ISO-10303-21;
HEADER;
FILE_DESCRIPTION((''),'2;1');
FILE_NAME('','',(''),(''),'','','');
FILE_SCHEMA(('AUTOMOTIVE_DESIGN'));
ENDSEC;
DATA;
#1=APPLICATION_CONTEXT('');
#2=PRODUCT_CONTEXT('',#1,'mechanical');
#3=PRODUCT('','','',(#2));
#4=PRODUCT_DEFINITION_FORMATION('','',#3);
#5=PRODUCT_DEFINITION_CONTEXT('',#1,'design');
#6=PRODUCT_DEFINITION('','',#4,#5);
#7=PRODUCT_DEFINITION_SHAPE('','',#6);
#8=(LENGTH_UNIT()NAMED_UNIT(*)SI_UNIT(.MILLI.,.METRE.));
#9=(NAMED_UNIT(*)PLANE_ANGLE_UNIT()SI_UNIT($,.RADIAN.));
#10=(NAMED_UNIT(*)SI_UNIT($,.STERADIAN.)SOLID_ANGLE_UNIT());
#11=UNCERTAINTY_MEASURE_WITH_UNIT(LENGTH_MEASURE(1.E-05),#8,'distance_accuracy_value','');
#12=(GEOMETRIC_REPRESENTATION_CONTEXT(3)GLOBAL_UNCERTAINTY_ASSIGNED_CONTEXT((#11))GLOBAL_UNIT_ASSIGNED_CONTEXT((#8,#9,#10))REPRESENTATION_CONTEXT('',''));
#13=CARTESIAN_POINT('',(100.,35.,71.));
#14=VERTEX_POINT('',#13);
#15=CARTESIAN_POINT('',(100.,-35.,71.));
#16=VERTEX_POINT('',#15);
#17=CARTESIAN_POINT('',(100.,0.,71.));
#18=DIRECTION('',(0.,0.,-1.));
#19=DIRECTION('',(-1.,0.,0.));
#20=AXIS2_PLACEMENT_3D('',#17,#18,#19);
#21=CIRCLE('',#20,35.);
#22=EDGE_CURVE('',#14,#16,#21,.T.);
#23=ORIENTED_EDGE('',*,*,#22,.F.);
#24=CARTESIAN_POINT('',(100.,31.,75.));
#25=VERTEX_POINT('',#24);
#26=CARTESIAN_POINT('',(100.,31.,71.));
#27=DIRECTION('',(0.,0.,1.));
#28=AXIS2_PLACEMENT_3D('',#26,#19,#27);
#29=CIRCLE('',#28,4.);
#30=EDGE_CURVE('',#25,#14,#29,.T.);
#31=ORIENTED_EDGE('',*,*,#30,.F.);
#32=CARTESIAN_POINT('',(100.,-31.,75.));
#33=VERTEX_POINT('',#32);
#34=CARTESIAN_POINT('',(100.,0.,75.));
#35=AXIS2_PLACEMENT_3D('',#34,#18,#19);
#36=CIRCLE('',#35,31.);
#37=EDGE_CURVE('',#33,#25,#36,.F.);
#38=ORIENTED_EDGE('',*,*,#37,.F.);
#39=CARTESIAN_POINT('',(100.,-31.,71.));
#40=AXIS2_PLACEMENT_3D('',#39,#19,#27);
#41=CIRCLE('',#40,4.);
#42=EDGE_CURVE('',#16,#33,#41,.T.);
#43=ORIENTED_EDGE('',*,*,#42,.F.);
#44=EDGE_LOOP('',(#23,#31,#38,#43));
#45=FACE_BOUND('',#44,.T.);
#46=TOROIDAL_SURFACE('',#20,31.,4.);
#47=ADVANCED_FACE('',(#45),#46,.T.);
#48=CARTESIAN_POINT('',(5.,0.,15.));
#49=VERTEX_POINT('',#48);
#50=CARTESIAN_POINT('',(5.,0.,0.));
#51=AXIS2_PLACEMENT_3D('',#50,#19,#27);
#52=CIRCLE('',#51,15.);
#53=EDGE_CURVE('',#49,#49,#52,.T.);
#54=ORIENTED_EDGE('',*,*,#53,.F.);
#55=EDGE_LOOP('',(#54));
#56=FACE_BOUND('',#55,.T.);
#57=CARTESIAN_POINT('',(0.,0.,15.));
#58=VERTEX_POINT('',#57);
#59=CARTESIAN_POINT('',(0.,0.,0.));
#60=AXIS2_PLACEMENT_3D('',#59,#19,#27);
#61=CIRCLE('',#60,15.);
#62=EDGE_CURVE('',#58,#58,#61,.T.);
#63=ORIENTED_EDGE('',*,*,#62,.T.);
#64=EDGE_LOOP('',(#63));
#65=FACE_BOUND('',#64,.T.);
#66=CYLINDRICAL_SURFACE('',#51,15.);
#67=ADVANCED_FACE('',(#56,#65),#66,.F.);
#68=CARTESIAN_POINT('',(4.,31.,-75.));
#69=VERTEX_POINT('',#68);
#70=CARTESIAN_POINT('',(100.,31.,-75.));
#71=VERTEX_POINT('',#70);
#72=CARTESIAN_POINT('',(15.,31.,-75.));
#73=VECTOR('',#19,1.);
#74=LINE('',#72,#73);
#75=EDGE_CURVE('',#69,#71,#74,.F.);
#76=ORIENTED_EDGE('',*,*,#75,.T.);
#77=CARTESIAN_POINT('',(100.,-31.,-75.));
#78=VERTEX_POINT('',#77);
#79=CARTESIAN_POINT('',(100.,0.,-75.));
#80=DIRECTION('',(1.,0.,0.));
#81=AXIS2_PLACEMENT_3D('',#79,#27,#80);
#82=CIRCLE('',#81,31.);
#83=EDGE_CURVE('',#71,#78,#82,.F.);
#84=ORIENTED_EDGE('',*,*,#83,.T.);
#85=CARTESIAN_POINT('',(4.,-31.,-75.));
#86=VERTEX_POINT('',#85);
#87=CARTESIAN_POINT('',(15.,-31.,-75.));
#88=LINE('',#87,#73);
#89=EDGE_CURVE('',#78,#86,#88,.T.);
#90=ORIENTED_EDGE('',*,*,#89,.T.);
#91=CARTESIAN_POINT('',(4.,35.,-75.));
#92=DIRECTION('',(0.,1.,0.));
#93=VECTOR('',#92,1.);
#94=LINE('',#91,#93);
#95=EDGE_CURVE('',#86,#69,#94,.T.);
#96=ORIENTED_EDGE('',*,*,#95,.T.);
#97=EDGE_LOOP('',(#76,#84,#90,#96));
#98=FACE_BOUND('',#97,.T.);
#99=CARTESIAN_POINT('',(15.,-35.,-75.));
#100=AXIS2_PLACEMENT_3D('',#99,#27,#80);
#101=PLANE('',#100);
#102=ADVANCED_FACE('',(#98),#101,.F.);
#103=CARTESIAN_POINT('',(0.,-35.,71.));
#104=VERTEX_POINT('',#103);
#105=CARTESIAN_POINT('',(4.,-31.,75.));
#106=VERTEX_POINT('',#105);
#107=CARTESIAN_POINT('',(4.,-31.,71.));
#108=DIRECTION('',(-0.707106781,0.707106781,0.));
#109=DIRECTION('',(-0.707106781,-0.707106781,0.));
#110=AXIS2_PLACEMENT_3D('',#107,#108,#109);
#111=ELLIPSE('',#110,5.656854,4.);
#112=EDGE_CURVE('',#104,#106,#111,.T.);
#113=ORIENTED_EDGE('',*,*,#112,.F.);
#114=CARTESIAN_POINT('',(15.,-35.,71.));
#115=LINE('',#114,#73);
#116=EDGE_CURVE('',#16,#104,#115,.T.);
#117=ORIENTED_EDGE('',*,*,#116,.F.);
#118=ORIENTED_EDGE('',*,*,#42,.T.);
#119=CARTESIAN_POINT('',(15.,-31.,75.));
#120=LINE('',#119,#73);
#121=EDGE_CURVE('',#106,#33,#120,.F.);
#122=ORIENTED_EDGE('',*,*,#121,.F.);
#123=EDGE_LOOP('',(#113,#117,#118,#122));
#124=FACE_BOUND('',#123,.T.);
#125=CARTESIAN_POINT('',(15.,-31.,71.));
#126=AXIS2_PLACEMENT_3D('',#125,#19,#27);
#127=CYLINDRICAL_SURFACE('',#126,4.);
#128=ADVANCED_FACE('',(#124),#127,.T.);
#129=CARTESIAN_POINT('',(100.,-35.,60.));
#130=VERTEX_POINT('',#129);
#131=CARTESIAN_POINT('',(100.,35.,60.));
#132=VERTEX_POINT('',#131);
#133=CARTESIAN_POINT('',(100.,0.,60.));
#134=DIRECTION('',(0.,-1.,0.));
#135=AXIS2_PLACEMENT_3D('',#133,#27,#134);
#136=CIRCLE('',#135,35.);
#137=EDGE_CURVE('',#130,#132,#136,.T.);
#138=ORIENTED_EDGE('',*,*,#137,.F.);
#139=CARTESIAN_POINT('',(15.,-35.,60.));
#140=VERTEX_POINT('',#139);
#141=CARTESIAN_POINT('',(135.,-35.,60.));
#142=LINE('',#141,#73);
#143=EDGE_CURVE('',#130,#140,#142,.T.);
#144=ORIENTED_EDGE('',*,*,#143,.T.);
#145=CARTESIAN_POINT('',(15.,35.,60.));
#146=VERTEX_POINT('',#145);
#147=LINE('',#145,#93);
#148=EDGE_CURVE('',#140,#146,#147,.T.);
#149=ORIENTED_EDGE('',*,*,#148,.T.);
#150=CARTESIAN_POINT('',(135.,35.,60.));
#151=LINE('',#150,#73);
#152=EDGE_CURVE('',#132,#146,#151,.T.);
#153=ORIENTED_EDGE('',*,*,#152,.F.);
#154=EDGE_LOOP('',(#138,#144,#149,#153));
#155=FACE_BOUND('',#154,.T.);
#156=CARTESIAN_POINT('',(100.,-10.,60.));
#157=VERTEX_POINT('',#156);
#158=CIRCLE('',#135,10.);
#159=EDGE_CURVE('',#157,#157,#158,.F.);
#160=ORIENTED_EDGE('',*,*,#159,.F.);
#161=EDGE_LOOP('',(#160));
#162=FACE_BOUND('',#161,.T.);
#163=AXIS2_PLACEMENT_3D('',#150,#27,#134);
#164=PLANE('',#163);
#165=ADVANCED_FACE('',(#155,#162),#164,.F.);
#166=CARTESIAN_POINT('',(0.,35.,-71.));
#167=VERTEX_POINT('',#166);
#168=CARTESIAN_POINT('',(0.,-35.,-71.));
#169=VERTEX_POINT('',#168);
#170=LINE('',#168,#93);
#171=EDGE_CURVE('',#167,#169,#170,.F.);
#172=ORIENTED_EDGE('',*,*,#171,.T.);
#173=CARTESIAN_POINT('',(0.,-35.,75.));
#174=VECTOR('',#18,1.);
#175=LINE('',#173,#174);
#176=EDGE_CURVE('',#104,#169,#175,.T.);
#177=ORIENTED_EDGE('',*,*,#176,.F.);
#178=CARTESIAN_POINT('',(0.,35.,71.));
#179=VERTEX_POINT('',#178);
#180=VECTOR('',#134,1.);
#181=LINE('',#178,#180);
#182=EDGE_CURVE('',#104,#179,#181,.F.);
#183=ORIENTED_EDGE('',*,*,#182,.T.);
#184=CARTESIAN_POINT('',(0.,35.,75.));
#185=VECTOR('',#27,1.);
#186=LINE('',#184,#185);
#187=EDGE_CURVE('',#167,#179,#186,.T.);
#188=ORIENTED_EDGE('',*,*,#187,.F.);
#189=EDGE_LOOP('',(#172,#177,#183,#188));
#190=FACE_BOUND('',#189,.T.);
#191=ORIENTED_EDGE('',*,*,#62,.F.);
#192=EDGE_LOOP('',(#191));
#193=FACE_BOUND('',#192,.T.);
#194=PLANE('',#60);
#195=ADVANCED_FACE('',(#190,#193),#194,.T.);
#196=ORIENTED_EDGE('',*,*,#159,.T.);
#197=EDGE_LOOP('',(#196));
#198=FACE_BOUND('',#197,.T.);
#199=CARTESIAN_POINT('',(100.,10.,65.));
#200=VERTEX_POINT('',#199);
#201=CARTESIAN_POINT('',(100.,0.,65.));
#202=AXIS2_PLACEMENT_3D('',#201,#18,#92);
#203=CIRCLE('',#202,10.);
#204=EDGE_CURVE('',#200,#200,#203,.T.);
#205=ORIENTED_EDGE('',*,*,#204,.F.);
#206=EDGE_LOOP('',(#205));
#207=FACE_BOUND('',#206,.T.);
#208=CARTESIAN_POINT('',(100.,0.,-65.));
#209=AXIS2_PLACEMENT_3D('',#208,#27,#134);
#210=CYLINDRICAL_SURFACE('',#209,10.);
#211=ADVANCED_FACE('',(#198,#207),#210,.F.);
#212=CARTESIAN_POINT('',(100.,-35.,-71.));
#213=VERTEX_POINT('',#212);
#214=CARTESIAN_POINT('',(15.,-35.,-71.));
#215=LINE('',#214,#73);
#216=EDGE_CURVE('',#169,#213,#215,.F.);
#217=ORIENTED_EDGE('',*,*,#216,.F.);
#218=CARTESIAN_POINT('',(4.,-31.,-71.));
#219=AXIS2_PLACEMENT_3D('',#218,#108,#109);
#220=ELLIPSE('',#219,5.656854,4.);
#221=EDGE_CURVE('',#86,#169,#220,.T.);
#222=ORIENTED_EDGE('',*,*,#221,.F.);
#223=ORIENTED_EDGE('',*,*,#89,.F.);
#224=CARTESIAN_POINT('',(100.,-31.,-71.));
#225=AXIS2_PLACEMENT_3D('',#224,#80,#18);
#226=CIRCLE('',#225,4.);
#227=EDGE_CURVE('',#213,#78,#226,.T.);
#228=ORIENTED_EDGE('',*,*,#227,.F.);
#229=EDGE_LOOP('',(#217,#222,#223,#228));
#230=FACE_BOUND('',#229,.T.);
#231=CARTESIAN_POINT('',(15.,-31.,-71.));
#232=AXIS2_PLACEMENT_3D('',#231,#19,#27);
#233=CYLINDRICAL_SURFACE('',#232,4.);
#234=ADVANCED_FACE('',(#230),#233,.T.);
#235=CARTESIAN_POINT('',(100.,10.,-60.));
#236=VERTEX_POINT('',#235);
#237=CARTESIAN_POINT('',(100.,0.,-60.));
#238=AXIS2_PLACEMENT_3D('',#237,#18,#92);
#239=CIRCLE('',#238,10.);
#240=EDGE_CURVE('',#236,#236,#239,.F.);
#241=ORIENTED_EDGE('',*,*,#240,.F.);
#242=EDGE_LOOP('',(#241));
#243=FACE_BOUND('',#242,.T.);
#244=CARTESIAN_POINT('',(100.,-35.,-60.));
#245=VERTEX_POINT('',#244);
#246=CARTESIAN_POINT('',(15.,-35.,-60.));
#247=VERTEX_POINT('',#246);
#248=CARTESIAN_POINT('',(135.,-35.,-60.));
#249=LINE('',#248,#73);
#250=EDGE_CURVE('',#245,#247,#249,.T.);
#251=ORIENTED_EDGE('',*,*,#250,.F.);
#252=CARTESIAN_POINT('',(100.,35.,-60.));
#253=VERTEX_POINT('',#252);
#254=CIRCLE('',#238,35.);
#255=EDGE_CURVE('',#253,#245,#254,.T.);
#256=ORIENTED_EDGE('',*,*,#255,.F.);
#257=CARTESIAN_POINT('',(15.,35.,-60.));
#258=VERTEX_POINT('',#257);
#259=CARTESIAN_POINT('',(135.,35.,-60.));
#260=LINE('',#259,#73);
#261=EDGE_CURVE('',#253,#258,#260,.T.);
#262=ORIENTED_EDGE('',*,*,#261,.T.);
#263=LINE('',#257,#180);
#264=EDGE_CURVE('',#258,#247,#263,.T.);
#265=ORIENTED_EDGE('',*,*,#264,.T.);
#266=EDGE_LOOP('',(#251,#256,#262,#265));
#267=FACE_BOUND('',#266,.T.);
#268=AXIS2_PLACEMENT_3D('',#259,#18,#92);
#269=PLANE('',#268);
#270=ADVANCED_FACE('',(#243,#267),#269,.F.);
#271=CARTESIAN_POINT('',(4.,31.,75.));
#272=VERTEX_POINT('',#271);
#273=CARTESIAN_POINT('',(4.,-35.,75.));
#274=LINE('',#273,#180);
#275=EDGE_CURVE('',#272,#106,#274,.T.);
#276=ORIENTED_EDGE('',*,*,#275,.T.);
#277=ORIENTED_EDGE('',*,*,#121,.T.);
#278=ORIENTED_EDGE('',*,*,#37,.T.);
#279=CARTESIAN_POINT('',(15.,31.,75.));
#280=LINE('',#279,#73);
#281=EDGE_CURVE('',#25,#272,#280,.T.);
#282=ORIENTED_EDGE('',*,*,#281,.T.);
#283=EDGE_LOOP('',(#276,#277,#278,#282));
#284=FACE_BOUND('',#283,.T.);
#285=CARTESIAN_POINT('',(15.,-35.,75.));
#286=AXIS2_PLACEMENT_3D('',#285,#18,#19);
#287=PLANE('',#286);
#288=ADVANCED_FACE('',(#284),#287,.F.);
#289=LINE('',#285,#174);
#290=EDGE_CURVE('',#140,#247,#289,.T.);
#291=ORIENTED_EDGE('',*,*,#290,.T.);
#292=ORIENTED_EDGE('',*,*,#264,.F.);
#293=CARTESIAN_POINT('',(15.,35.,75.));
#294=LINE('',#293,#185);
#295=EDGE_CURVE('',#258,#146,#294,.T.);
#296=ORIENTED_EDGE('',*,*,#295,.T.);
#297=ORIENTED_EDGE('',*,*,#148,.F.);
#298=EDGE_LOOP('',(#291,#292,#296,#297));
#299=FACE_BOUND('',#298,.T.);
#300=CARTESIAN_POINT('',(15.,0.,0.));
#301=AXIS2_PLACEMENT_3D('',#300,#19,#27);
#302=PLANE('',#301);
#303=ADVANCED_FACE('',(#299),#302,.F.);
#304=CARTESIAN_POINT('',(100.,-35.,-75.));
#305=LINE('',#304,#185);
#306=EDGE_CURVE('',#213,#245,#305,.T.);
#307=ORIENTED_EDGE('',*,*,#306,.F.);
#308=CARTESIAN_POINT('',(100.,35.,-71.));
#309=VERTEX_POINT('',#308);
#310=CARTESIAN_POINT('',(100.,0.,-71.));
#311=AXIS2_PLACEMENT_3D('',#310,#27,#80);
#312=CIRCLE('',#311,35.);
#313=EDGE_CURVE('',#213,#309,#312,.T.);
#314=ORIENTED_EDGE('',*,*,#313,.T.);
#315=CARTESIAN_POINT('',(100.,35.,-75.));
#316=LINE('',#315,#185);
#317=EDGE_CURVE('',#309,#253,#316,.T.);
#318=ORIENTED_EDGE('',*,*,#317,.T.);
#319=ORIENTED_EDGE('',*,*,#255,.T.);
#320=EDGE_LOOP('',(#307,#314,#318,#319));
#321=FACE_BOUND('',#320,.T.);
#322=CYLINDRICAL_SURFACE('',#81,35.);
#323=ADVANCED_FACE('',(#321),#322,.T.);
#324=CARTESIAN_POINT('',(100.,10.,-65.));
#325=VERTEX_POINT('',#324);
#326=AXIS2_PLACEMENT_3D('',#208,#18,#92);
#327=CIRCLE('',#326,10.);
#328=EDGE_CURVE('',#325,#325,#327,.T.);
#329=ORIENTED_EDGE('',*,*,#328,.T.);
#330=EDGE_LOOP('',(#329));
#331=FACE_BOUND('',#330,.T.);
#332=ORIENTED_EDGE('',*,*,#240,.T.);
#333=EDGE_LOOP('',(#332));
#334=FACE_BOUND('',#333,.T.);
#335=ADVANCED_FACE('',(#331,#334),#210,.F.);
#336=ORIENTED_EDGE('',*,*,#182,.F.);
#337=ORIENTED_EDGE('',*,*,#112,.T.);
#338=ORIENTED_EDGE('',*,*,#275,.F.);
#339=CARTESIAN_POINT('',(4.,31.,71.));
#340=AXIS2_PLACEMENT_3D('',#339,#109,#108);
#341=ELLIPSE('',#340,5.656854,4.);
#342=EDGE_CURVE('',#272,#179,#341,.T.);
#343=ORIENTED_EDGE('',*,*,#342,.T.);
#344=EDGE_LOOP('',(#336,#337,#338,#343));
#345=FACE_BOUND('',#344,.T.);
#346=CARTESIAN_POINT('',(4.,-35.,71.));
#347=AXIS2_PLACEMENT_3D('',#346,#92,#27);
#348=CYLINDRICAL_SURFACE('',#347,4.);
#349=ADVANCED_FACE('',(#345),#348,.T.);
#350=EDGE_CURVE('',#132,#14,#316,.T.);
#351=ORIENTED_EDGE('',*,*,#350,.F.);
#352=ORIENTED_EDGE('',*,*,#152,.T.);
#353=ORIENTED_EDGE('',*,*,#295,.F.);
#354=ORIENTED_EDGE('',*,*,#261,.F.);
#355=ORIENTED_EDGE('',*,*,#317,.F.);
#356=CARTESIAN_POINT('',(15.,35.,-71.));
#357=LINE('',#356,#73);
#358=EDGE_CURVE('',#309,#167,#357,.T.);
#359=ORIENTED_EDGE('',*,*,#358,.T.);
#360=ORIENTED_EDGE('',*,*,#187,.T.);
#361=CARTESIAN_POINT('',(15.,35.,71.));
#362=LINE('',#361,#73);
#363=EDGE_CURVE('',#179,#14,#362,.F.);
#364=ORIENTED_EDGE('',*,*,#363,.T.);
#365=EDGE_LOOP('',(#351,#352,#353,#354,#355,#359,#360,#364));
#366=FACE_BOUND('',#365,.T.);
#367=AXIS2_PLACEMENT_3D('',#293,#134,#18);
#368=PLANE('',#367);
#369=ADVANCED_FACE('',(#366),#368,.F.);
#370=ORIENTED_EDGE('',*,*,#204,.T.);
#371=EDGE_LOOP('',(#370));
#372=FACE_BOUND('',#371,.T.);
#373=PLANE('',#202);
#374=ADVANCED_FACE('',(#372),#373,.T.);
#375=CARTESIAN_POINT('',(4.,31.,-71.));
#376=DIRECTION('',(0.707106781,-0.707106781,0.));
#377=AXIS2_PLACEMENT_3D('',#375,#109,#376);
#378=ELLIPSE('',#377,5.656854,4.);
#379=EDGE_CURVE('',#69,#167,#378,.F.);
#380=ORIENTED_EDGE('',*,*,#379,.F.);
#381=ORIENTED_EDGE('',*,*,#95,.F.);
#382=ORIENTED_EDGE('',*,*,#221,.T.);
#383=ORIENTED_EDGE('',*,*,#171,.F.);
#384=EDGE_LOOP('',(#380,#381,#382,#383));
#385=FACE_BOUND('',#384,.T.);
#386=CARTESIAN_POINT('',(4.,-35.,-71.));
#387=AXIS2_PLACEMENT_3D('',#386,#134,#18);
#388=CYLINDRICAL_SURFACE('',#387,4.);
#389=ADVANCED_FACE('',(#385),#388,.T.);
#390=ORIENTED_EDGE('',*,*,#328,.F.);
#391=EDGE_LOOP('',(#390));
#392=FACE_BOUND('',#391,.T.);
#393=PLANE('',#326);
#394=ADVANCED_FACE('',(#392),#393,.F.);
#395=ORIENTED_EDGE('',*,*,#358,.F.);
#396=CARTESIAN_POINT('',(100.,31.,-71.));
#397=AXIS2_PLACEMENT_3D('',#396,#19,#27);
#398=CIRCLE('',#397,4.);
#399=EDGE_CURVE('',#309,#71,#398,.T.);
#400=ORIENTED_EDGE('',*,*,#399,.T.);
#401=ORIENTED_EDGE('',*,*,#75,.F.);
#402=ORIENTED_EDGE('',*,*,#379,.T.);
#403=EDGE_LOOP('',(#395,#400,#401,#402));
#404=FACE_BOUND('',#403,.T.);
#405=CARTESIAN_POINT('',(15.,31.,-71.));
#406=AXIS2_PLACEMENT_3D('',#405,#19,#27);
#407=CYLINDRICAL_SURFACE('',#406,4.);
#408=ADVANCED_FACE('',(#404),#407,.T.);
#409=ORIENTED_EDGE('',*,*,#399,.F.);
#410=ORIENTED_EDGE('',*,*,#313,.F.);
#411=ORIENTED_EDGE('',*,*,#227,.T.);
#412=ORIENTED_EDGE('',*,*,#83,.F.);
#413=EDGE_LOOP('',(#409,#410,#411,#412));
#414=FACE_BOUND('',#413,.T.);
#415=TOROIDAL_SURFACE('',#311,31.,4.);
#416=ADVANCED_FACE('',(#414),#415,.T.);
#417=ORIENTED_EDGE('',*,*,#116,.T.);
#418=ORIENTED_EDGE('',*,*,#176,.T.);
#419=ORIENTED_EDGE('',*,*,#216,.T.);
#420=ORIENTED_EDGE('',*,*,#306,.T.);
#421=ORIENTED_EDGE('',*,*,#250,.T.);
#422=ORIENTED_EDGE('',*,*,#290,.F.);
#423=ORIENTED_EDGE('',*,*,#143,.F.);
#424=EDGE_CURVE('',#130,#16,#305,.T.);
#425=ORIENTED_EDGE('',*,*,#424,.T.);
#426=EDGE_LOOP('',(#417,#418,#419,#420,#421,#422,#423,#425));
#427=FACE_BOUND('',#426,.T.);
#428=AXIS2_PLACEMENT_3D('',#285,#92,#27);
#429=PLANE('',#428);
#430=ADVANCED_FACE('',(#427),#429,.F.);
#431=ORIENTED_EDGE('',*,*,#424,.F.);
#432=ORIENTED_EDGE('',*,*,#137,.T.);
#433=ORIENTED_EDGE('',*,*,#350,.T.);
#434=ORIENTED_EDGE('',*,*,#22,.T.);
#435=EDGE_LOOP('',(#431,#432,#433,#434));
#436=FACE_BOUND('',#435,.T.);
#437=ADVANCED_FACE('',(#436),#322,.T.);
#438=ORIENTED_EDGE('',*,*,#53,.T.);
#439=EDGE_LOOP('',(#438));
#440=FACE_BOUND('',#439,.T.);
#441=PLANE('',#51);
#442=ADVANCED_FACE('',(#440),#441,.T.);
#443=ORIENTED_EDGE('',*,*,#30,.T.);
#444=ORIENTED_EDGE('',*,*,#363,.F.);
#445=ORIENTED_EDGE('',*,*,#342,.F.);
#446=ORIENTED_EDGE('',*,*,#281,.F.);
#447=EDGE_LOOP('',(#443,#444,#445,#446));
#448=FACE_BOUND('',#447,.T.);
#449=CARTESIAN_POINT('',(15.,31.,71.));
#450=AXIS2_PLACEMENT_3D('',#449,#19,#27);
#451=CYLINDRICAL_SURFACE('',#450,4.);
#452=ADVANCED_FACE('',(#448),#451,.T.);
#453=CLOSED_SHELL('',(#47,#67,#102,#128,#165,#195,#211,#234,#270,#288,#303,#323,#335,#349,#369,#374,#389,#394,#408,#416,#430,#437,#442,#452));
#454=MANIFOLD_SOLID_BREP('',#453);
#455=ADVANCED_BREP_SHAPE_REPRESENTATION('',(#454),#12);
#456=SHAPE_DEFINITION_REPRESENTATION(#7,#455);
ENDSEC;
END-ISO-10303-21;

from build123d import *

# Parameters (mm, degrees)
SKETCH1_W               = 150
SKETCH1_H               = 70
BOSS_EXTRUDE1_DEPTH     = 15
SKETCH2_W               = 15
SKETCH2_H               = 70
BOSS_EXTRUDE2_DEPTH     = 120
CUT_EXTRUDE1_DEPTH      = 151
SKETCH5_R               = 10
CUT_EXTRUDE2_DEPTH      = 125
CUT_EXTRUDE2_DEPTH_BACK = 5
FILLET1_R               = 4
SKETCH6_R               = 15
CUT_EXTRUDE3_DEPTH      = 5


with BuildPart() as part:
    # Sketch1 → Boss-Extrude1 (new body)
    with BuildSketch(Plane(origin=(0, 0, 0), x_dir=(0, 0, -1), z_dir=(1, 0, 0))):
        Rectangle(SKETCH1_W, SKETCH1_H)
    extrude(amount=BOSS_EXTRUDE1_DEPTH)

    # Sketch2 → Boss-Extrude2 (add)
    with BuildSketch(Plane(origin=(15, 0, 0), x_dir=(0, 0, -1), z_dir=(1, 0, 0))):
        with Locations((-67.5, 0)):
            Rectangle(SKETCH2_W, SKETCH2_H)
        with Locations((67.5, 0)):
            Rectangle(SKETCH2_W, SKETCH2_H)
    extrude(amount=BOSS_EXTRUDE2_DEPTH)

    # Sketch3 → Cut-Extrude1 (cut, through all)
    with BuildSketch(Plane.XY.offset(75)):
        with BuildLine():
            ThreePointArc((99.999999969, 35), (124.748737331, 24.748737352), (135, 0))
            Line((135, 0), (135, 35))
            Line((135, 35), (99.999999969, 35))
        make_face()
        with BuildLine():
            Line((100, -35), (135, -35))
            Line((135, -35), (135, 0))
            ThreePointArc((135, 0), (124.748737342, -24.748737342), (100, -35))
        make_face()
    extrude(amount=-CUT_EXTRUDE1_DEPTH, mode=Mode.SUBTRACT)

    # Sketch5 → Cut-Extrude2 (cut, two sides)
    with BuildSketch(Plane(origin=(0, 0, 60), x_dir=(-1, 0, 0), z_dir=(0, 0, -1))) as cut_extrude2_sk:
        with Locations((-100, 0)):
            Circle(SKETCH5_R)
    extrude(amount=CUT_EXTRUDE2_DEPTH, mode=Mode.SUBTRACT)
    extrude(cut_extrude2_sk.sketch, amount=-CUT_EXTRUDE2_DEPTH_BACK, mode=Mode.SUBTRACT)

    # Fillet1
    fillet1_edges = [part.edges().sort_by_distance(p)[0] for p in [
        (49.999999985, 35, 75),
        (49.999999985, 35, -75),
        (135, 1.5e-08, 75),
        (135, 1.5e-08, -75),
        (0, 0, 75),
        (50, -35, -75),
        (50, -35, 75),
        (0, 0, -75),
    ]]
    fillet(fillet1_edges, radius=FILLET1_R)

    # Sketch6 → Cut-Extrude3 (cut)
    with BuildSketch(Plane.ZY):
        Circle(SKETCH6_R)
    extrude(amount=-CUT_EXTRUDE3_DEPTH, mode=Mode.SUBTRACT)


solid = part.part
